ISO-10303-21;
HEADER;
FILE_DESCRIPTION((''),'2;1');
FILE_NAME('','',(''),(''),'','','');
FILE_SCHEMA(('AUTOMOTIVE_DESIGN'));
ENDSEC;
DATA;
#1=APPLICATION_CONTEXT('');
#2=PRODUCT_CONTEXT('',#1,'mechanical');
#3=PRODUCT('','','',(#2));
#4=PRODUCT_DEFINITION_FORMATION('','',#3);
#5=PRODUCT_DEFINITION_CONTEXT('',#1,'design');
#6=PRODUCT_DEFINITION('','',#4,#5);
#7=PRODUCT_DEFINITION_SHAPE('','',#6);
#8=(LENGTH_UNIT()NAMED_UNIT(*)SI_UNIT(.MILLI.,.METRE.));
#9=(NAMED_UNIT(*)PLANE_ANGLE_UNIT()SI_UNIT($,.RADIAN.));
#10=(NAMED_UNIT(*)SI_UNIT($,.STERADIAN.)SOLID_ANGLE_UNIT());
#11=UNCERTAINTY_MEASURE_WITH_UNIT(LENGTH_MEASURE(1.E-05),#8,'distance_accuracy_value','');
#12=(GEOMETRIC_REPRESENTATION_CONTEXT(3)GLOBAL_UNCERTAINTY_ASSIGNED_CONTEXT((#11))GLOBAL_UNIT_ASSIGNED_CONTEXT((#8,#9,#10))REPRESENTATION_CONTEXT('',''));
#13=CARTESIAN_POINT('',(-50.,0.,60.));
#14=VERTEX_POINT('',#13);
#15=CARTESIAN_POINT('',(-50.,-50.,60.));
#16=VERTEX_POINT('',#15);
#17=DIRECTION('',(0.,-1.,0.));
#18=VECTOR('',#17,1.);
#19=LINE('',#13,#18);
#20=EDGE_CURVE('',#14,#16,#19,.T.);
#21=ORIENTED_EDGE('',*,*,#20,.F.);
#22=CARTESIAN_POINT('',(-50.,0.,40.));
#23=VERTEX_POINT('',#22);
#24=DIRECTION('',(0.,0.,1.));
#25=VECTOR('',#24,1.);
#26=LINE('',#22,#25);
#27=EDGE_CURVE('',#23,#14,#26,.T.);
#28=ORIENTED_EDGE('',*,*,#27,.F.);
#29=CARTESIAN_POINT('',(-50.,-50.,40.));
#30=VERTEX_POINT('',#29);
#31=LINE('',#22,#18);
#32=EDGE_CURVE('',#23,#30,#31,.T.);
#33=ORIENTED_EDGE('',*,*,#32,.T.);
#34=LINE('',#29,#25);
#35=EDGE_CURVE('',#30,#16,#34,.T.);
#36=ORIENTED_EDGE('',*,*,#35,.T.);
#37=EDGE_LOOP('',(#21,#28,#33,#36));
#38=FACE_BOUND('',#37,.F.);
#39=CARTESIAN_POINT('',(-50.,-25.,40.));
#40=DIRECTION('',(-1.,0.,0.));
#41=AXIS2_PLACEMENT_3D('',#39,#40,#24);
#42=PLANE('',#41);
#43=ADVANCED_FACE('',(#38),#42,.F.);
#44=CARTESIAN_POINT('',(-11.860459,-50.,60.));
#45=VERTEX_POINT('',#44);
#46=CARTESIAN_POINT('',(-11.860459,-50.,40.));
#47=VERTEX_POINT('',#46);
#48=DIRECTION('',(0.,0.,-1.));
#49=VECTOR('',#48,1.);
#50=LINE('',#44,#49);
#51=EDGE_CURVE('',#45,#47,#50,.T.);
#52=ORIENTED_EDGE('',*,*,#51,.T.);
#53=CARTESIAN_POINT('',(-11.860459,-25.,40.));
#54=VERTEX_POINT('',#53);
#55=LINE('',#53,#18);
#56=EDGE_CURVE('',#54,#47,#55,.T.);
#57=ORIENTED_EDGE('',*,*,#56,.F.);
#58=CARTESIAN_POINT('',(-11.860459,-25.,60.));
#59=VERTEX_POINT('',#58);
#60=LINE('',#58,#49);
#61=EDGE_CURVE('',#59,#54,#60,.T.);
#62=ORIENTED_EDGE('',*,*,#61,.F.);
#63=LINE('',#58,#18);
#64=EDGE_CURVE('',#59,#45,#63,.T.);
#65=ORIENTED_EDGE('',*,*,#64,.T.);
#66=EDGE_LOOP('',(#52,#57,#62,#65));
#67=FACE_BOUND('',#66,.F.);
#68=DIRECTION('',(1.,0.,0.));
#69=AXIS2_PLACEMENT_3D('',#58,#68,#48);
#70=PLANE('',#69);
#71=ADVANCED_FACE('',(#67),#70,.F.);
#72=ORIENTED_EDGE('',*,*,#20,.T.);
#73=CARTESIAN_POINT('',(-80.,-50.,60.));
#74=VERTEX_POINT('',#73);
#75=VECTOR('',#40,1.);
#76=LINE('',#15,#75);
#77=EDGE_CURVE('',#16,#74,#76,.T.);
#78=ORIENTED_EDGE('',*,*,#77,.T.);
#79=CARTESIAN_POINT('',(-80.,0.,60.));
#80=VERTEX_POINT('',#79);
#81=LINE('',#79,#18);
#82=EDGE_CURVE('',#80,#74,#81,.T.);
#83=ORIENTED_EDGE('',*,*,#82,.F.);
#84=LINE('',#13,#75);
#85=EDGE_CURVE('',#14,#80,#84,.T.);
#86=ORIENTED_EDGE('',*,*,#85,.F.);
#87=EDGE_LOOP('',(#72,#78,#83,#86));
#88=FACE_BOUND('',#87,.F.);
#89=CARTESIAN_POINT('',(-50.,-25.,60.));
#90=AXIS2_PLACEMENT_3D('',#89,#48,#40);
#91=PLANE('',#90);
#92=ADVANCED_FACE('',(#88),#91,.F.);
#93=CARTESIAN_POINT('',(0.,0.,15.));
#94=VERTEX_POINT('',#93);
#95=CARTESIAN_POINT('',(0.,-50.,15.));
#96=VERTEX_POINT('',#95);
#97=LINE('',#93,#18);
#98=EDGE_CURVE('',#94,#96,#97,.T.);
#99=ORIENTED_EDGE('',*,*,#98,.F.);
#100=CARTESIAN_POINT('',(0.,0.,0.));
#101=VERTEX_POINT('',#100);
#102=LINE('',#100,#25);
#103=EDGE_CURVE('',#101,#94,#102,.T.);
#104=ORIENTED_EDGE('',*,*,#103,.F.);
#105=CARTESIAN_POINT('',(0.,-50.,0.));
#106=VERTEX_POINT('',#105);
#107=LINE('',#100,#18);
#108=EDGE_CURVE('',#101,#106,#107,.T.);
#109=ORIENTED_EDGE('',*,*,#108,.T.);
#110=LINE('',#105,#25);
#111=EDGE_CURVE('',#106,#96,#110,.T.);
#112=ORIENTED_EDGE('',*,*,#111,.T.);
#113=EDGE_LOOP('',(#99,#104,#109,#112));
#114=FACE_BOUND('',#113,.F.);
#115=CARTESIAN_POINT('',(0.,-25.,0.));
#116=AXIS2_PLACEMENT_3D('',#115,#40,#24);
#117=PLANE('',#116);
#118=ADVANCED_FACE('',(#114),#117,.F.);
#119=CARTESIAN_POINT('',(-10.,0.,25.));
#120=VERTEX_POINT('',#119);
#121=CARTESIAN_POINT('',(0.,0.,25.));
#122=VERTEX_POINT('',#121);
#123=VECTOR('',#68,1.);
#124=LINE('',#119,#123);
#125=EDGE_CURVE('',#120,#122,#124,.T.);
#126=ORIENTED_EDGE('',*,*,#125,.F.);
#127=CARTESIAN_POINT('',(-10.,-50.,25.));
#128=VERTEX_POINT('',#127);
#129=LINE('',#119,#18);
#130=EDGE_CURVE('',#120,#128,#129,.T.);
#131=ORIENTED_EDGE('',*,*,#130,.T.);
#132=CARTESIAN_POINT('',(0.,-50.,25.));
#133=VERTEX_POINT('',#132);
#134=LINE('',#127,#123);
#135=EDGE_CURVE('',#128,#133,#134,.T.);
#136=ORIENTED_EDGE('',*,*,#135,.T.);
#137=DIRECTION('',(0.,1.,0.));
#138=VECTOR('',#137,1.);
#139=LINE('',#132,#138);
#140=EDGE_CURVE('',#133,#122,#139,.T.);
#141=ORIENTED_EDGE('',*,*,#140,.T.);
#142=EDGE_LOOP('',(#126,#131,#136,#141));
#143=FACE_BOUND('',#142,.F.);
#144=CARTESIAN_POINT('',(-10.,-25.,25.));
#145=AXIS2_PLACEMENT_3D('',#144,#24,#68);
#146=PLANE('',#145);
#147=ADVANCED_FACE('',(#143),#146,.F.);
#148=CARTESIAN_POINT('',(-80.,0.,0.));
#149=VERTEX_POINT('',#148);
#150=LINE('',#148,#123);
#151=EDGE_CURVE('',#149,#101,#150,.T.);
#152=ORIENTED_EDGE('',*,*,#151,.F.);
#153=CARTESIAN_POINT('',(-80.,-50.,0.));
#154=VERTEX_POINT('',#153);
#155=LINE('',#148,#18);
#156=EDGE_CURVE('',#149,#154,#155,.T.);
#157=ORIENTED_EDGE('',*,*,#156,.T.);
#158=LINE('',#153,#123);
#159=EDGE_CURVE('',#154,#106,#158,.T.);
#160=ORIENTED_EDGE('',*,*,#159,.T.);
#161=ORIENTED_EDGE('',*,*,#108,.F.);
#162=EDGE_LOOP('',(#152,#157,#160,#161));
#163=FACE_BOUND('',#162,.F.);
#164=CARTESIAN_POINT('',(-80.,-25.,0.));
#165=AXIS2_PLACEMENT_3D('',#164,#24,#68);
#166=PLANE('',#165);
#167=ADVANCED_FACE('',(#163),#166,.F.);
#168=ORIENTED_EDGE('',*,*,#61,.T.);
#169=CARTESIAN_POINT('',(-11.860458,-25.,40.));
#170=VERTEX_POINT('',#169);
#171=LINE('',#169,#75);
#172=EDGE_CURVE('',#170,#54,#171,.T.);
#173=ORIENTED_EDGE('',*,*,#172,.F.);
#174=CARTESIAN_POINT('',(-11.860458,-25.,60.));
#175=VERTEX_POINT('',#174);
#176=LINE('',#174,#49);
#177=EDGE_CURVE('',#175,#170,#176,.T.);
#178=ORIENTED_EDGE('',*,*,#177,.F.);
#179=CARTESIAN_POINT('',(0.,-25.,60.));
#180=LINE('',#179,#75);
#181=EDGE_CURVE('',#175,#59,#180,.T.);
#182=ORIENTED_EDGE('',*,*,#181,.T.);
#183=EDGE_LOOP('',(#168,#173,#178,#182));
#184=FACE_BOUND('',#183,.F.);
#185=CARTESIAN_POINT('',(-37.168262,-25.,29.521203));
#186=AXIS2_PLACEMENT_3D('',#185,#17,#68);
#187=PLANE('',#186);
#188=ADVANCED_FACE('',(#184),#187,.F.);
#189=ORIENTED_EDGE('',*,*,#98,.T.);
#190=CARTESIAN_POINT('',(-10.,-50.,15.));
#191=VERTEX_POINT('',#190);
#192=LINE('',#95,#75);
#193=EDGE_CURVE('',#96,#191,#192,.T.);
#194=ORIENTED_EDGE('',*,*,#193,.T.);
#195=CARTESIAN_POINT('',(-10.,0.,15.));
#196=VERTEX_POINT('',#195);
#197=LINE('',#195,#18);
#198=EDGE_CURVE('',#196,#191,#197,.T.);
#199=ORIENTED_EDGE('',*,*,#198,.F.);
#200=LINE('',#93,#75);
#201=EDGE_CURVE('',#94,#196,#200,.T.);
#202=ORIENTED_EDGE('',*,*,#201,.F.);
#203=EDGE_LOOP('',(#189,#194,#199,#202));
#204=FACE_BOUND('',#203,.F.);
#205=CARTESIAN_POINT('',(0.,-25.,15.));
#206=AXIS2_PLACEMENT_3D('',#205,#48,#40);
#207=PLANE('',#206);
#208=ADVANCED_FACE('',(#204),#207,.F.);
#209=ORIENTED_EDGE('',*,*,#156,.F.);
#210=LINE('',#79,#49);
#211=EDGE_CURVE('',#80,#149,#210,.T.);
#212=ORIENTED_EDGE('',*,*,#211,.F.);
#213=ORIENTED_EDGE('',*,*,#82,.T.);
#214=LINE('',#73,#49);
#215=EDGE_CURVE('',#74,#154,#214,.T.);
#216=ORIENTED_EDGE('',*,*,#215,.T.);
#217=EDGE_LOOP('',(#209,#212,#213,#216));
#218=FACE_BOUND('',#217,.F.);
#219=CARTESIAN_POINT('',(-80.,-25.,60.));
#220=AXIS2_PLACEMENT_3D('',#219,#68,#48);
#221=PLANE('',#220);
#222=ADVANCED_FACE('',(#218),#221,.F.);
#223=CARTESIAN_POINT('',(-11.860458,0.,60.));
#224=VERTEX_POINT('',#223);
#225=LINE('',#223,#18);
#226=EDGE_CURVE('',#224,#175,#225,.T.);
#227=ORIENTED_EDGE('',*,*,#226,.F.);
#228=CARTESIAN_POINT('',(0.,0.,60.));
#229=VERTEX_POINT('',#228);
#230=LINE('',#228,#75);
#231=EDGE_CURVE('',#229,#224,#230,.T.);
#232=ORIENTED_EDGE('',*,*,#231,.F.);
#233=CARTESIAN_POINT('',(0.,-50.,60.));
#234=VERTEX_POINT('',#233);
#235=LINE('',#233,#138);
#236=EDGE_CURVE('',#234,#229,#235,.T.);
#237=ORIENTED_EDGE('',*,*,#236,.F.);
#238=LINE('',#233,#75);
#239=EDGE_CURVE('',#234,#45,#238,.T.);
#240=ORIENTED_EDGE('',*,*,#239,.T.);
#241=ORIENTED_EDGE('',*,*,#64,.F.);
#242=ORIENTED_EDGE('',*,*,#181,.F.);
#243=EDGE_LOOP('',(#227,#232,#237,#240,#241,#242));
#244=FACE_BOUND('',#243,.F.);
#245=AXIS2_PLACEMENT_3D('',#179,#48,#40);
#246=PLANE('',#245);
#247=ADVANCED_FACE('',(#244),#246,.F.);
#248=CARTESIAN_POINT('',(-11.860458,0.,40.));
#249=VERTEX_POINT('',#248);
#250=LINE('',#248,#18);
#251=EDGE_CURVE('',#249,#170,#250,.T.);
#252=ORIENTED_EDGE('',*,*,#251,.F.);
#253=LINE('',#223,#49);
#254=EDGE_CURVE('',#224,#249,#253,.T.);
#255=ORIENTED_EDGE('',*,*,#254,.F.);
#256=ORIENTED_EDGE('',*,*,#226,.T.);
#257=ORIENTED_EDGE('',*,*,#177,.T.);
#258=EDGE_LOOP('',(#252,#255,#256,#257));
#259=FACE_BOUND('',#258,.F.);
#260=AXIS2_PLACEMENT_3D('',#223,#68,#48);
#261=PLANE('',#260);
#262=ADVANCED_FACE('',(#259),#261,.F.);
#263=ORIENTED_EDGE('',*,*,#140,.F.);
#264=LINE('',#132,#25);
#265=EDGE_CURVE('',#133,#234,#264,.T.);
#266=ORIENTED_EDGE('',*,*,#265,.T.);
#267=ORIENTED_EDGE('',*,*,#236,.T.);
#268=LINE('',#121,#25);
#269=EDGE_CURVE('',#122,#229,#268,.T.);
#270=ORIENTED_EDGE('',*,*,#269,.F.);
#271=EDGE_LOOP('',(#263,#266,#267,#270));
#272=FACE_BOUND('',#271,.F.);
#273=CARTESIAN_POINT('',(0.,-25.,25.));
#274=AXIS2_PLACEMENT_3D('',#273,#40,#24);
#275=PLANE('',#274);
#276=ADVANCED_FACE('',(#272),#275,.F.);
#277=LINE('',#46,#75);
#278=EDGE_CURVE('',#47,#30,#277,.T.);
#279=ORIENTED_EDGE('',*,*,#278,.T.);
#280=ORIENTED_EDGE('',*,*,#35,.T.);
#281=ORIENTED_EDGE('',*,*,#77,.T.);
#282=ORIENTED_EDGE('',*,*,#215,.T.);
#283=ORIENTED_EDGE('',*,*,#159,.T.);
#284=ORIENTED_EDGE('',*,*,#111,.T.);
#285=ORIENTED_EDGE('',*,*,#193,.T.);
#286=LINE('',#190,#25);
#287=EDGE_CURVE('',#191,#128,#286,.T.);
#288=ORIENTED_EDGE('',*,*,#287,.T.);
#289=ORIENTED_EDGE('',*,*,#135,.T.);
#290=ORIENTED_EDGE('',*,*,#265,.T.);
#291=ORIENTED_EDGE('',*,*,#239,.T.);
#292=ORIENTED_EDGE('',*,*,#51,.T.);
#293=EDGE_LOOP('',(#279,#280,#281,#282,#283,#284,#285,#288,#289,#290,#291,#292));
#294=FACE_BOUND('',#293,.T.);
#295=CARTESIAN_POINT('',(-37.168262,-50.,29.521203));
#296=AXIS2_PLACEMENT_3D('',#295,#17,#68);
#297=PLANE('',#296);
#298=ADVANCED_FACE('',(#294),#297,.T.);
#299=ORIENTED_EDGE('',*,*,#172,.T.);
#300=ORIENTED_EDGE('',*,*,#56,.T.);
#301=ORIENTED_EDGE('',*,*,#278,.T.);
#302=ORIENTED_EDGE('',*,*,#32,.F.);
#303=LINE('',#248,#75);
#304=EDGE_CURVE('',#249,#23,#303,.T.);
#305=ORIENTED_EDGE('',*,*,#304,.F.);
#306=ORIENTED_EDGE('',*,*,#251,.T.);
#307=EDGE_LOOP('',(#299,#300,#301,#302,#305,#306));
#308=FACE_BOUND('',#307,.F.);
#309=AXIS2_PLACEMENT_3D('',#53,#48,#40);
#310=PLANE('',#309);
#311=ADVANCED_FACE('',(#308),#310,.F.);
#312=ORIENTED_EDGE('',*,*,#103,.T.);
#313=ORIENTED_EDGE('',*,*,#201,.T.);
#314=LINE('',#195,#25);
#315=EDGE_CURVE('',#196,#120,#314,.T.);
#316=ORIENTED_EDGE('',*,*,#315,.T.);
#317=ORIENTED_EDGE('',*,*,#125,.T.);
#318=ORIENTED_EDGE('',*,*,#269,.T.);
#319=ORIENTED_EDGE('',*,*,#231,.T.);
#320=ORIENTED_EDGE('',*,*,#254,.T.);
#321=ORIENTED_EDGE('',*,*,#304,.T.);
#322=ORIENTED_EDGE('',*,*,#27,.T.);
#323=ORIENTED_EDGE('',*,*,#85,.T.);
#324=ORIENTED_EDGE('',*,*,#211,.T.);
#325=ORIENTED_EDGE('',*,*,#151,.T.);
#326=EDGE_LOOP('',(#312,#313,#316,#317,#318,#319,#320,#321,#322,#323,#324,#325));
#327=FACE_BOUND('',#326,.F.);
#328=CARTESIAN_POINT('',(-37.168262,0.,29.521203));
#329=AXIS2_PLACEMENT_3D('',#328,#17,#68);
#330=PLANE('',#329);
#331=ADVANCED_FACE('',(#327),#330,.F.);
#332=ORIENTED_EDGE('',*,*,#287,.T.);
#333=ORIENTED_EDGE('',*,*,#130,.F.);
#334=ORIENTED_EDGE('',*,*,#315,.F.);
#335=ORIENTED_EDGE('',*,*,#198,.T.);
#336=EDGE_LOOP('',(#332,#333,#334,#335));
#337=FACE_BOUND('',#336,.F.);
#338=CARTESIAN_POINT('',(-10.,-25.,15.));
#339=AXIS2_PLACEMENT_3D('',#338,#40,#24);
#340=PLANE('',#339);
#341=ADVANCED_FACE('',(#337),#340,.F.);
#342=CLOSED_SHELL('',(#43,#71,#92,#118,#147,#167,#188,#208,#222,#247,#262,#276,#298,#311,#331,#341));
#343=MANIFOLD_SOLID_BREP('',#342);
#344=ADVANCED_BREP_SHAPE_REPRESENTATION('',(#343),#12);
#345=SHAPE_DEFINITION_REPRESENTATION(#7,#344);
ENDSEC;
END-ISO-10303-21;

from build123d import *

# Parameters (mm, degrees)
F1_DEPTH = 25
F2_DEPTH = 25


with BuildPart() as f1:
    # F0 (on Front) → F1 (new body)
    with BuildSketch(Plane.XZ):
        Polygon((-50, 60), (-80, 60), (-80, 0), (0, 0), (0, 15), (-10, 15), (-10, 25), (0, 25), (0, 60), (-11.860458, 60), (-11.860458, 40), (-50, 40), align=None)
    extrude(amount=F1_DEPTH)

    # F1_face (on face) → F2 (join)
    with BuildSketch(Plane(origin=(-42.646123, -25, 26.379208), x_dir=(1, 0, 0), z_dir=(0, -1, 0))):
        Polygon((30.785664, 33.620792), (30.785664, 13.620792), (-7.353877, 13.620792), (-7.353877, 33.620792), (-37.353877, 33.620792), (-37.353877, -26.379208), (42.646123, -26.379208), (42.646123, -11.379208), (32.646123, -11.379208), (32.646123, -1.379208), (42.646123, -1.379208), (42.646123, 33.620792), align=None)
    extrude(amount=F2_DEPTH)


solid = f1.part
